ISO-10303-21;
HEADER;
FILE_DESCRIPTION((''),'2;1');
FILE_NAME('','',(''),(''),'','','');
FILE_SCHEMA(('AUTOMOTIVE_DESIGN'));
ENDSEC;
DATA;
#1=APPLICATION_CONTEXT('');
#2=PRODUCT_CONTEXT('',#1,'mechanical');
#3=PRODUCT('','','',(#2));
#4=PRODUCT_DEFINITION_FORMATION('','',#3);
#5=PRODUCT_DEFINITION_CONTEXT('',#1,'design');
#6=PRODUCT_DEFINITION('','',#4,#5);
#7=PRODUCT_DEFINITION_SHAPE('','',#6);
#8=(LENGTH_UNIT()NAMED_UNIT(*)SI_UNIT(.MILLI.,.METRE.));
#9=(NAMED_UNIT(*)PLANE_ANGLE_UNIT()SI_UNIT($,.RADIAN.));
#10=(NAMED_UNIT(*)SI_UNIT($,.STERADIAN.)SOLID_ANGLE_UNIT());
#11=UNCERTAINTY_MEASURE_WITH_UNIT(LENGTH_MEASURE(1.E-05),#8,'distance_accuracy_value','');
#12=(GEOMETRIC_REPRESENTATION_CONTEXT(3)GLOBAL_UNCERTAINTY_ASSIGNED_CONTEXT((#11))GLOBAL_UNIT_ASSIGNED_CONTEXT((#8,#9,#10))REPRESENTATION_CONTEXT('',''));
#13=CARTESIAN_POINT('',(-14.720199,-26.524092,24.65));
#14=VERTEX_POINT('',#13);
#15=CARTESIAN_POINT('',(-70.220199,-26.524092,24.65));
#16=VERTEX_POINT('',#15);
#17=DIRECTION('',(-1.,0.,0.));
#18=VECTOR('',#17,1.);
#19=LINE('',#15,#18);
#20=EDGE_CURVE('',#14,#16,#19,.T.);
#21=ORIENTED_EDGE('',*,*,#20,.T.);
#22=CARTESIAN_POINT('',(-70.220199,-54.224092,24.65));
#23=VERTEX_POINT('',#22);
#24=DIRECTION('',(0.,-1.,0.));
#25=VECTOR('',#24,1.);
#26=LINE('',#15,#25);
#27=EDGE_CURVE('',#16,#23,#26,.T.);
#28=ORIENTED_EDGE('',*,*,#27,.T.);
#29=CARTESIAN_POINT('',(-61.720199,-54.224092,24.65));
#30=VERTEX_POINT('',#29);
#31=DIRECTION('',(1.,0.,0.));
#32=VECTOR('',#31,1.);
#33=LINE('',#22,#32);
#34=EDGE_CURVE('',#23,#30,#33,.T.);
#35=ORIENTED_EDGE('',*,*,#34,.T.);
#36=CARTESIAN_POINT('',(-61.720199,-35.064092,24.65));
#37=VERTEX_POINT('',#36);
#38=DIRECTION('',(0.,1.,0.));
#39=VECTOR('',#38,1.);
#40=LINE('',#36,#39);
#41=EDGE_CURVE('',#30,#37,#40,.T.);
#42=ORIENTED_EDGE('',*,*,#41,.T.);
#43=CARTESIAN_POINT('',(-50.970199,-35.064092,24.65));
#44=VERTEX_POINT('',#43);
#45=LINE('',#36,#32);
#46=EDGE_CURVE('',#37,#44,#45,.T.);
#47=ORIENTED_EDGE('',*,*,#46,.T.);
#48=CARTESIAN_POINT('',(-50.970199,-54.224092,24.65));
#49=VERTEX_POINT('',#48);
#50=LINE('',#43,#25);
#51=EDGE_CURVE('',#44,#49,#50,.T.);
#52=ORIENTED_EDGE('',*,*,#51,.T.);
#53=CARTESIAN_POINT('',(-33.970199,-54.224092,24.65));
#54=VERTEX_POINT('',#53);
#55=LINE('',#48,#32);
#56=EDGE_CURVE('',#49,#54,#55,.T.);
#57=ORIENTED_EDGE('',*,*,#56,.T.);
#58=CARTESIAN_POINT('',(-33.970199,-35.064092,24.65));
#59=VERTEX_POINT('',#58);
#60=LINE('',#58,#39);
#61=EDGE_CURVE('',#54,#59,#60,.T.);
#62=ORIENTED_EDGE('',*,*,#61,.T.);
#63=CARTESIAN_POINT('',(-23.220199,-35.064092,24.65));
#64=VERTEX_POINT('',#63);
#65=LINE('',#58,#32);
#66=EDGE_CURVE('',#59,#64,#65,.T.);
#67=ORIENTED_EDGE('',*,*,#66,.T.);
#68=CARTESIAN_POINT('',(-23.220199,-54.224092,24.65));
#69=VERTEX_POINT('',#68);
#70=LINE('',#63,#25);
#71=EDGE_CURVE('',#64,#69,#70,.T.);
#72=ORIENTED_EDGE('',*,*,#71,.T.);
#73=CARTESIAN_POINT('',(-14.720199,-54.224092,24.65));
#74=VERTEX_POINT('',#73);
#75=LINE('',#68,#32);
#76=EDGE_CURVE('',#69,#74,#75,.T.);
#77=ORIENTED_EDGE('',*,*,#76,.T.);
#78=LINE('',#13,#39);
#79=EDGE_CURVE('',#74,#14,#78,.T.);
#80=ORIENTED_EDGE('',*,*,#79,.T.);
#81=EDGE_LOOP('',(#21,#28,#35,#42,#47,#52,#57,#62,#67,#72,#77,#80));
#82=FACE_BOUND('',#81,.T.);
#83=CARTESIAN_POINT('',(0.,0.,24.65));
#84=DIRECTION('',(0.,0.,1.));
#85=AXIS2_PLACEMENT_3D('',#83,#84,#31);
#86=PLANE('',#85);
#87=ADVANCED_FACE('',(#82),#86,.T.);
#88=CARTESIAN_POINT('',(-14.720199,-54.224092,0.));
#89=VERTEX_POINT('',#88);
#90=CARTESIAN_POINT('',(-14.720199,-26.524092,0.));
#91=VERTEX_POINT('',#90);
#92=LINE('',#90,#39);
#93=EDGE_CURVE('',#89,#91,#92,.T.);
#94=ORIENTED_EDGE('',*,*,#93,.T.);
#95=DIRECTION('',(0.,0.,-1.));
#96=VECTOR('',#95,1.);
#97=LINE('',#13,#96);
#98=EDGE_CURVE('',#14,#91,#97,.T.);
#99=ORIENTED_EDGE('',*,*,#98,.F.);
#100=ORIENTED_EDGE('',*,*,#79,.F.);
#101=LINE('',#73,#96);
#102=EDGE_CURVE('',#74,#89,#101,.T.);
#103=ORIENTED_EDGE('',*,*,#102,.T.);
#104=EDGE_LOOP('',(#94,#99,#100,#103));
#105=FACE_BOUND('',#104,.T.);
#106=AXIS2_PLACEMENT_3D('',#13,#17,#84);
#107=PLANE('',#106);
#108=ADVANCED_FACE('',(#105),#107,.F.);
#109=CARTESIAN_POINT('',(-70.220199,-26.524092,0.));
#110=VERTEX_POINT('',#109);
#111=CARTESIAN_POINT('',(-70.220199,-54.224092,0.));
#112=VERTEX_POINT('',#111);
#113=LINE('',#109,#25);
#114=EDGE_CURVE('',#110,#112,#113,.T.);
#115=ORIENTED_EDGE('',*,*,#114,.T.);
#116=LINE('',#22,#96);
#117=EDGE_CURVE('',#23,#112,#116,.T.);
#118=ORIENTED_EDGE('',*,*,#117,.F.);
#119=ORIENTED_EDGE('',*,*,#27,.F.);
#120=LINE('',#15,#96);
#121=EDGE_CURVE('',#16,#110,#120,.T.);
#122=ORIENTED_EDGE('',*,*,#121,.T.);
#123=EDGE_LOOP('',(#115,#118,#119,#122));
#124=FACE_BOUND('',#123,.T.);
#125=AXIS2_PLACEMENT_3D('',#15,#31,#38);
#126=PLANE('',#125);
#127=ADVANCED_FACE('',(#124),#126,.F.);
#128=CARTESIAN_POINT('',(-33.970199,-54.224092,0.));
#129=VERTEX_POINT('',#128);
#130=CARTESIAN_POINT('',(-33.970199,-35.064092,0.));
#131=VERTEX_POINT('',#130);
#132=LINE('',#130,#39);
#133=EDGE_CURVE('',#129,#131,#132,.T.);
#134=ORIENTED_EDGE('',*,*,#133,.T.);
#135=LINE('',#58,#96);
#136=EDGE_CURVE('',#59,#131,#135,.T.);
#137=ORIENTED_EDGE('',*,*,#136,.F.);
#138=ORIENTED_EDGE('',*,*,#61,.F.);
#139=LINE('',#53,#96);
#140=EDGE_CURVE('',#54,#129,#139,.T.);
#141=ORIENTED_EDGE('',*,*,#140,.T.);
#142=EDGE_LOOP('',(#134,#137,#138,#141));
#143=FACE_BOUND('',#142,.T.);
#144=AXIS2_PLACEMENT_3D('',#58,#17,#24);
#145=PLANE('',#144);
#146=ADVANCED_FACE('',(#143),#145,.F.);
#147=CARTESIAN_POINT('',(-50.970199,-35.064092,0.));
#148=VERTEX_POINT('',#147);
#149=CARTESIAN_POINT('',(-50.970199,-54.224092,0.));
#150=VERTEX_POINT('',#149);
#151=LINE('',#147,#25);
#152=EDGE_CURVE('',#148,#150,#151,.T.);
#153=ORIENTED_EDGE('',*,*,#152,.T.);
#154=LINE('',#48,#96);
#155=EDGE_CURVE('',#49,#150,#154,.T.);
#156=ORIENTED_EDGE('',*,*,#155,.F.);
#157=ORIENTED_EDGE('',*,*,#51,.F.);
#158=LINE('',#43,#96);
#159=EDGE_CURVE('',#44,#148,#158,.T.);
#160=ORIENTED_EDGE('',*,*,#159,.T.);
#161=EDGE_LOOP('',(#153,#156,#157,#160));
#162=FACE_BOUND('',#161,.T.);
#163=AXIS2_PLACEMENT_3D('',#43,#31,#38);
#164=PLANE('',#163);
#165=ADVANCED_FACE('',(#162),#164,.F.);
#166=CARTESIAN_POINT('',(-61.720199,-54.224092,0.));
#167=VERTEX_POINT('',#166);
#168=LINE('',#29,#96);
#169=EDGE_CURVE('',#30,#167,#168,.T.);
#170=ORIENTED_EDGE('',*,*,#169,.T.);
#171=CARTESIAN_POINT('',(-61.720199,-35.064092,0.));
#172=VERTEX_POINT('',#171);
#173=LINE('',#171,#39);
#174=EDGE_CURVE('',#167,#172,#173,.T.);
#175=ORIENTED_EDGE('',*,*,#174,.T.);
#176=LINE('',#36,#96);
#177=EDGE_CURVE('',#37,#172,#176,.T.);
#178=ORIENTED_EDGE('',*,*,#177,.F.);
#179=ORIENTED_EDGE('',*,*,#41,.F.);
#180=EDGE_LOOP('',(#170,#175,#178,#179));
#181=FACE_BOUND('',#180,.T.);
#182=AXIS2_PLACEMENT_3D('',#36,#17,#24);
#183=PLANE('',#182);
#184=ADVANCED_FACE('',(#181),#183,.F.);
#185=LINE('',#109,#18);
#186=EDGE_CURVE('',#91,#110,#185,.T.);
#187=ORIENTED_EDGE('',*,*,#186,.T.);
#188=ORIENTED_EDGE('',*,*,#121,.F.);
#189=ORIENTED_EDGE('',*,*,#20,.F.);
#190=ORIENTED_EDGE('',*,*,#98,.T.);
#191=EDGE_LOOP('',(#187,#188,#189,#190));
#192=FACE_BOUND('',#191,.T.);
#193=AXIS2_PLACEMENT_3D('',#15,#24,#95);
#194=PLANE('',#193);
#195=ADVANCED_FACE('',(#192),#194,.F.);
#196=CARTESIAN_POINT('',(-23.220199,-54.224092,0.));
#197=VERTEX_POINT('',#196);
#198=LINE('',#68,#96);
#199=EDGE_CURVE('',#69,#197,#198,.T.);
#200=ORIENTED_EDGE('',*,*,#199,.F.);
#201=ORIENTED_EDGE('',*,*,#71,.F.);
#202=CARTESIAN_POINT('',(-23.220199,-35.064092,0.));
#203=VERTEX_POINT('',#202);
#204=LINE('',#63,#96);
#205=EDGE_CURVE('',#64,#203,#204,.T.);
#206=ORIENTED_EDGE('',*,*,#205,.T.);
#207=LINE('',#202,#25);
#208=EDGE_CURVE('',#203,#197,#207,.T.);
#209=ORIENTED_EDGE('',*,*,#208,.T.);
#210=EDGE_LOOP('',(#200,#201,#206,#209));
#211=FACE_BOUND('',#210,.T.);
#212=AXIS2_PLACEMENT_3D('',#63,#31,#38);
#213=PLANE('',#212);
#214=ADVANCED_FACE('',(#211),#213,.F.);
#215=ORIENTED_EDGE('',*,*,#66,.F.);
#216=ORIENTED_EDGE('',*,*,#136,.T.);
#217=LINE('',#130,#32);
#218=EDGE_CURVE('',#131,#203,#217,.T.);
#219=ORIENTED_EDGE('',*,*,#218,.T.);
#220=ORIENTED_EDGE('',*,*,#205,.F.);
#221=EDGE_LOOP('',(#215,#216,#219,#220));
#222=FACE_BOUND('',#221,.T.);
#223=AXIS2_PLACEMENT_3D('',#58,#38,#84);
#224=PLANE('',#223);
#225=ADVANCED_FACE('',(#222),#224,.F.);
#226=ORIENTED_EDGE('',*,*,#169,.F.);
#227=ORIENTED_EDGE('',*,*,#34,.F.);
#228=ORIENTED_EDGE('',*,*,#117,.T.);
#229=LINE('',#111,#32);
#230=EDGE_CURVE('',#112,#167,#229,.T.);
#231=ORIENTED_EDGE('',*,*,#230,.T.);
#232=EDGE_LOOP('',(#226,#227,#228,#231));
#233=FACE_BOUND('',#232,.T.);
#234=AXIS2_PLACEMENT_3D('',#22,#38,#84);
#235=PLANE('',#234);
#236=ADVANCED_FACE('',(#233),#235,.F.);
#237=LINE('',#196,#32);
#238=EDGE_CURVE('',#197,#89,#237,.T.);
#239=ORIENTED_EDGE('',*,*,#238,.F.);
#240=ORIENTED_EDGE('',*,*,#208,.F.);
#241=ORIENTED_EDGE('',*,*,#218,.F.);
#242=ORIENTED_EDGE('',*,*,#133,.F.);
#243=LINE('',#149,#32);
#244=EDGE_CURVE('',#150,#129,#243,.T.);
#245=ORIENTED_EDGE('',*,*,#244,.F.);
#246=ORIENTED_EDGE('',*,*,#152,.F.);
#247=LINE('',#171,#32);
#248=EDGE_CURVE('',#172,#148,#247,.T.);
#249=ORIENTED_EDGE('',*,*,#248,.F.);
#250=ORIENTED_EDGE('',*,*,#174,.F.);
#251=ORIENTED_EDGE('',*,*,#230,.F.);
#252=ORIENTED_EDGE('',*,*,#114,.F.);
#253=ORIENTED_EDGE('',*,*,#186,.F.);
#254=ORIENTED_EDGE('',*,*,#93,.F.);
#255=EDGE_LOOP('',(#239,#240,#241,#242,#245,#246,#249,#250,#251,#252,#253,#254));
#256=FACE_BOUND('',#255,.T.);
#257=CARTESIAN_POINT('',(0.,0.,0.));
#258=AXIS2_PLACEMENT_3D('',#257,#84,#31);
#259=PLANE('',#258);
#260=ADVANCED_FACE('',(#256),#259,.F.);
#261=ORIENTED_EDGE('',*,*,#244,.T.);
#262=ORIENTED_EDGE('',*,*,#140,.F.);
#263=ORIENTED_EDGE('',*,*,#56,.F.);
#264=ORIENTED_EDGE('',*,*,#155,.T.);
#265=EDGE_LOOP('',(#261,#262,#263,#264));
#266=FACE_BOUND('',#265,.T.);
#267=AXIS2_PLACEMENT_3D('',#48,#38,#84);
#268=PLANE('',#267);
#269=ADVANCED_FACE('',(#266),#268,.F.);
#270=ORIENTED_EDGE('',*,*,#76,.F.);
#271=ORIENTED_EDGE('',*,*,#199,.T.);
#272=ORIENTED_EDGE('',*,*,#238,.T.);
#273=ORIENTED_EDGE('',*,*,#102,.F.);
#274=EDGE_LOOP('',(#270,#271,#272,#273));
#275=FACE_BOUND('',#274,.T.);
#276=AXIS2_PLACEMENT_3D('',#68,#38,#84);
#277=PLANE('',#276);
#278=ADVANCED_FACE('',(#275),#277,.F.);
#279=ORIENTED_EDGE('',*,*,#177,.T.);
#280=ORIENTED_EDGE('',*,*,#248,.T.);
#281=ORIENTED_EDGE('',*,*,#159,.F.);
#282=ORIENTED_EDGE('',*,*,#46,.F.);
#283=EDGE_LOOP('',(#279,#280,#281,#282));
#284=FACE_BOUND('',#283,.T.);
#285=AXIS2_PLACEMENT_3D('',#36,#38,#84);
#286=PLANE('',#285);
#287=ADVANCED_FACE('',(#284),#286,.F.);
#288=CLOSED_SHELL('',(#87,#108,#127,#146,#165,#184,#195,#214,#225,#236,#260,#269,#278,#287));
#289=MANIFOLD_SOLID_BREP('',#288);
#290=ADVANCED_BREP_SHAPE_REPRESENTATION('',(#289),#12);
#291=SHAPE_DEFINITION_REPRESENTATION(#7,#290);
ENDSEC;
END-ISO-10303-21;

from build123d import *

# Parameters (mm, degrees)
EXTRUDE2_DEPTH = 24.65


with BuildPart() as part:
    # Sketch2 → Extrude2 (new body)
    with BuildSketch(Plane.XY):
        Polygon((-23.220199039, -35.064091922), (-23.220199039, -54.224091922), (-14.720199039, -54.224091922), (-14.720199039, -26.524091922), (-70.220199039, -26.524091922), (-70.220199039, -54.224091922), (-61.720199039, -54.224091922), (-61.720199039, -35.064091922), (-50.970199039, -35.064091922), (-50.970199039, -54.224091922), (-33.970199039, -54.224091922), (-33.970199039, -35.064091922), align=None)
    extrude(amount=EXTRUDE2_DEPTH)


solid = part.part
